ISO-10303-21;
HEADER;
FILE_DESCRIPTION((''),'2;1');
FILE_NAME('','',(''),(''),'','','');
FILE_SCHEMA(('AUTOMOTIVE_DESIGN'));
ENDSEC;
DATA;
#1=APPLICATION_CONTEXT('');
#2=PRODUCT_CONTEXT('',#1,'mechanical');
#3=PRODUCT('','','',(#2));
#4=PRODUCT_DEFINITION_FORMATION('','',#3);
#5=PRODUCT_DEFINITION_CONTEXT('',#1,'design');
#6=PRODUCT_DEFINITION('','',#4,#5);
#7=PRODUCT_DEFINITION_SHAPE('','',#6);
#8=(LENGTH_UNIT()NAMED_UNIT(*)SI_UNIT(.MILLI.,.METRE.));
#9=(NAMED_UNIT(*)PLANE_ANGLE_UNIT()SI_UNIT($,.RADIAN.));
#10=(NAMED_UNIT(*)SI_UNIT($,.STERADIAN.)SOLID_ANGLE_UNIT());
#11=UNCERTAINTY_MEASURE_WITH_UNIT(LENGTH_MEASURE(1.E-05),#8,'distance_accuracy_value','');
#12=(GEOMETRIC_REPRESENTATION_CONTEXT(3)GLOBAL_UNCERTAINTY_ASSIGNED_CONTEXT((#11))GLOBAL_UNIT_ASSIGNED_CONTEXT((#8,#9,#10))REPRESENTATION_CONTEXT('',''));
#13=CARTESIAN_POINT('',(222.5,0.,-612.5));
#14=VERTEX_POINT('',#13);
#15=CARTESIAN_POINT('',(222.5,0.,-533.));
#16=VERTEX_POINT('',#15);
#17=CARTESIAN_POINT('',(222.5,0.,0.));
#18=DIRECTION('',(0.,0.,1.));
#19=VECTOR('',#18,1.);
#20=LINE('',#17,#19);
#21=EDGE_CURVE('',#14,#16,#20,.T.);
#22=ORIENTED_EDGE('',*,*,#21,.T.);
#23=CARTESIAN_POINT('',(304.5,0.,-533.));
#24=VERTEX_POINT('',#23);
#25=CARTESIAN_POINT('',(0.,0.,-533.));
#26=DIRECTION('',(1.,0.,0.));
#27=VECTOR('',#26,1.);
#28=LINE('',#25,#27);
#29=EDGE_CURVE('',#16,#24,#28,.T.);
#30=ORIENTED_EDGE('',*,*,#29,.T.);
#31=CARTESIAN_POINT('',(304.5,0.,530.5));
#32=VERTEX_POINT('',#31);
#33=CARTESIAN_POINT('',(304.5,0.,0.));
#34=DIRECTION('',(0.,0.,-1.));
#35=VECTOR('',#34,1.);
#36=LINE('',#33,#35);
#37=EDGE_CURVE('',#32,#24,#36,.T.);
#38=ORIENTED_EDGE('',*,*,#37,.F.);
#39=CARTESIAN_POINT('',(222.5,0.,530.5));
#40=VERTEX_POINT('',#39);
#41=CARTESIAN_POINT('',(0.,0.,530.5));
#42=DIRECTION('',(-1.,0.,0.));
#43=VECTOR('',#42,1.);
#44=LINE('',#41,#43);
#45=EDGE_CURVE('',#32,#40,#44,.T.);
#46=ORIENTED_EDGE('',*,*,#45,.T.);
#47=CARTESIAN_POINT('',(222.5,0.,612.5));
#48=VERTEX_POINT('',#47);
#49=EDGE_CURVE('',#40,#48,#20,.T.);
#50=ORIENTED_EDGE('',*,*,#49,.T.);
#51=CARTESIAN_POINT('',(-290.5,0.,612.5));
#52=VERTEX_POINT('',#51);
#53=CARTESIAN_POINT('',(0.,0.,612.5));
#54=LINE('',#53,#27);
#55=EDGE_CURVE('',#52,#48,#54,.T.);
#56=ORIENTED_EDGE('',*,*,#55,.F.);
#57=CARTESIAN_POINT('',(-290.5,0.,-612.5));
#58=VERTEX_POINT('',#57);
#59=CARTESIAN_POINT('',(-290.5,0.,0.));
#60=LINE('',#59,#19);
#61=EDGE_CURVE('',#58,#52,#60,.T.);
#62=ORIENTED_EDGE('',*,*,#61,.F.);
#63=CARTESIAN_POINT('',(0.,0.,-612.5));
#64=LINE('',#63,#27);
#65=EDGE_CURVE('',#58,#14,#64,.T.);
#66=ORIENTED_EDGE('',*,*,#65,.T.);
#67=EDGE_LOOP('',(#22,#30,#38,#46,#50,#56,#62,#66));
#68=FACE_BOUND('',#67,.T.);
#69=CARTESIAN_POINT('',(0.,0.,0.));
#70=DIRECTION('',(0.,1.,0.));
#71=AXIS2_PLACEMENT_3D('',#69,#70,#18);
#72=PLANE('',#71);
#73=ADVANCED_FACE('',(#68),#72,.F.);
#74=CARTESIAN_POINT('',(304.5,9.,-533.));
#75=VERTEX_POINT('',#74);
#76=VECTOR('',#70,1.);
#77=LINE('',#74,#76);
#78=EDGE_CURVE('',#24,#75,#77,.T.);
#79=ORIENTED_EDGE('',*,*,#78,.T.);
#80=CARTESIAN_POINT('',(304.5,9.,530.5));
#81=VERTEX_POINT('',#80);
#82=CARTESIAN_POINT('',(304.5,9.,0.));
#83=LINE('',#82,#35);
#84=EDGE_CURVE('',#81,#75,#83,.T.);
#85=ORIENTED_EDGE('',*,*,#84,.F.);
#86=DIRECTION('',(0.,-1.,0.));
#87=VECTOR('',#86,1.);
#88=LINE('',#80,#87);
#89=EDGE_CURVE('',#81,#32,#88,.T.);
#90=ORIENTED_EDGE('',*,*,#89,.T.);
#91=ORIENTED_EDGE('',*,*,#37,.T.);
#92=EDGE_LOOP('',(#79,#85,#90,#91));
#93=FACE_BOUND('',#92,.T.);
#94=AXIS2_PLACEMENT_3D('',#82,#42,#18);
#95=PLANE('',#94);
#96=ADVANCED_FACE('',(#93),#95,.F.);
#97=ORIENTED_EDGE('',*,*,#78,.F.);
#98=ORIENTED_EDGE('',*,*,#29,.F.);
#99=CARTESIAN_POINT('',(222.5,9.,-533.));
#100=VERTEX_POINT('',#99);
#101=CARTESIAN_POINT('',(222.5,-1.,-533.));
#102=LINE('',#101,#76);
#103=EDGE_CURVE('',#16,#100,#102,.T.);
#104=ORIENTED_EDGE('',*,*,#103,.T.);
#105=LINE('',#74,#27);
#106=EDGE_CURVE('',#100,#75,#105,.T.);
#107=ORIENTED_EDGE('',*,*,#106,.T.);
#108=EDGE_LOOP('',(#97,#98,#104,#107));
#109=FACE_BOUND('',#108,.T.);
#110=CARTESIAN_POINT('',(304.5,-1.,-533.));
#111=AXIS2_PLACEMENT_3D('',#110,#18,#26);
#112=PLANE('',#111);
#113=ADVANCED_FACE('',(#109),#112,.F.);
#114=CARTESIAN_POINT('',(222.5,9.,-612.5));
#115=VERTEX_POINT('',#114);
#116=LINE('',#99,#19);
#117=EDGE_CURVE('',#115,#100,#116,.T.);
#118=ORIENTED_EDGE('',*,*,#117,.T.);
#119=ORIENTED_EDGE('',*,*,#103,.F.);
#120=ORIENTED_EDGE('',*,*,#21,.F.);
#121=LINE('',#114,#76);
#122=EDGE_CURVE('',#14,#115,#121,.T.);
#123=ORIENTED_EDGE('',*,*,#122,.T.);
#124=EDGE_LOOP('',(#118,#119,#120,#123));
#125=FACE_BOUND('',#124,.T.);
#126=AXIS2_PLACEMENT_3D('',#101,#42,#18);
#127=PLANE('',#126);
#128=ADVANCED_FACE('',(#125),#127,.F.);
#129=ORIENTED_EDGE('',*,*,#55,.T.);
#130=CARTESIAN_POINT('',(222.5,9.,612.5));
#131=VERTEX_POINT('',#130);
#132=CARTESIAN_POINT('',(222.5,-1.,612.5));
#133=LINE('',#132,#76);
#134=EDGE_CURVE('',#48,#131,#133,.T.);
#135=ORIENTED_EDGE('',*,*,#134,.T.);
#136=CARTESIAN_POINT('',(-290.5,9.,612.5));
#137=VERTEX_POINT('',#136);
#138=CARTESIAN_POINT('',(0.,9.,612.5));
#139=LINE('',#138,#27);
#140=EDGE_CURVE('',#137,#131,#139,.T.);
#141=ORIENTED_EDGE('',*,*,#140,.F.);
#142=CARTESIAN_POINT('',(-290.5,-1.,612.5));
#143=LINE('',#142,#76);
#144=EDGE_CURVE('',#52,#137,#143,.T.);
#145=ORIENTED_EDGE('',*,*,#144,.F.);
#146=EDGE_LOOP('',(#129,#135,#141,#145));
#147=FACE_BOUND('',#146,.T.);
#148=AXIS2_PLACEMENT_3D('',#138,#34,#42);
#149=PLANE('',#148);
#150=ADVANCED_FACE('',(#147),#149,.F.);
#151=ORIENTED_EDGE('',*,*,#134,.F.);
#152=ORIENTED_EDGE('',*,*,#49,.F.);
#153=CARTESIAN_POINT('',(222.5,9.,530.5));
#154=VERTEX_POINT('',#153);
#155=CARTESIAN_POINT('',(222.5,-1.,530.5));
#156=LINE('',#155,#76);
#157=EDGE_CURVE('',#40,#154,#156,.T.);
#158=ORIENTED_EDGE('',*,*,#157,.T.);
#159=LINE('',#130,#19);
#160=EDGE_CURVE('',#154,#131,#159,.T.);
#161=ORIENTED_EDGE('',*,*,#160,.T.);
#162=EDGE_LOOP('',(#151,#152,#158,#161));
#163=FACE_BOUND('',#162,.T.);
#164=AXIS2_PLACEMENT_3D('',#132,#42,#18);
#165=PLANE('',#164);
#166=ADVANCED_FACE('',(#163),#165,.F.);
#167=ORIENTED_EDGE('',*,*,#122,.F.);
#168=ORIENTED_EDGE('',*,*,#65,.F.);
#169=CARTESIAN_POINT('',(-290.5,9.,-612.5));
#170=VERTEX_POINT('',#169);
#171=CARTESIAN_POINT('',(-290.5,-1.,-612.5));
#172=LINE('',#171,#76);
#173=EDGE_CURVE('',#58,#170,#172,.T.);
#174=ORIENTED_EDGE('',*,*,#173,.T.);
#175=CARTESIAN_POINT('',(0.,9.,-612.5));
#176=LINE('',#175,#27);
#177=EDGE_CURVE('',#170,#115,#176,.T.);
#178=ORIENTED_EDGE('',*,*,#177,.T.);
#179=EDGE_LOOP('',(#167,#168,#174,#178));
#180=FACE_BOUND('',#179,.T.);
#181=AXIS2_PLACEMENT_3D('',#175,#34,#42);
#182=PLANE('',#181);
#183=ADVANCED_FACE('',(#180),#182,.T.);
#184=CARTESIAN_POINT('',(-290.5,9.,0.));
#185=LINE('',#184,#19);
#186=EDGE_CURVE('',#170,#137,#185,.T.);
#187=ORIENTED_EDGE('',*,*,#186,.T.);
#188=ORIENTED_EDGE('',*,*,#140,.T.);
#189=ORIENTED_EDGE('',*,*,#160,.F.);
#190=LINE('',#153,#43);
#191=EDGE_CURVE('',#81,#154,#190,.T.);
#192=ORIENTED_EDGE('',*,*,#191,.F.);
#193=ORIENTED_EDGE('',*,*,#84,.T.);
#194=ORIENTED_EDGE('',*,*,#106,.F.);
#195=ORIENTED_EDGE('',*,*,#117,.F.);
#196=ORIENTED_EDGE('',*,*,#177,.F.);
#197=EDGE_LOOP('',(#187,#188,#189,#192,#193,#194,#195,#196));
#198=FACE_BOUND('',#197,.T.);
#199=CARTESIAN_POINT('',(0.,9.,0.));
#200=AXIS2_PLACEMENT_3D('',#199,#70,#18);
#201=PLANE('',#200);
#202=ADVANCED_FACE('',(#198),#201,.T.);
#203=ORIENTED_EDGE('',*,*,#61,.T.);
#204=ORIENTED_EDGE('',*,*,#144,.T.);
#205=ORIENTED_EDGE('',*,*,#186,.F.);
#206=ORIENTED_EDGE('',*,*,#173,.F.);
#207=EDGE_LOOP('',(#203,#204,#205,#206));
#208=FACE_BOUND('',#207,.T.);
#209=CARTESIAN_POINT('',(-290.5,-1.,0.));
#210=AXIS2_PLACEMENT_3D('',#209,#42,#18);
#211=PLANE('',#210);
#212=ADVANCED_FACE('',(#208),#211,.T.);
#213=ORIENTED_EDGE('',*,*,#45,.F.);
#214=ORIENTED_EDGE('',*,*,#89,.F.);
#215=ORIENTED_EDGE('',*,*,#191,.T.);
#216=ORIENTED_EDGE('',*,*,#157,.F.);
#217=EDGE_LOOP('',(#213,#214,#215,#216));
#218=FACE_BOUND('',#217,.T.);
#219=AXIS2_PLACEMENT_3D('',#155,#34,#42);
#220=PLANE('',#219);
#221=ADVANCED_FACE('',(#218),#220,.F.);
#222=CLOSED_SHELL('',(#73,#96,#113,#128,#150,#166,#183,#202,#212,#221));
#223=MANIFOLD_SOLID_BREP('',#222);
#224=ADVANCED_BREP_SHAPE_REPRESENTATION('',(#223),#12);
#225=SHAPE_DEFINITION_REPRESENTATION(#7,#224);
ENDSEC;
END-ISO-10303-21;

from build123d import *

# Parameters (mm, degrees)
BOSS_EXTRUDE1_DEPTH = 9
SKETCH2_W           = 14
SKETCH2_H           = 1225
CUT_EXTRUDE1_DEPTH  = 10
SKETCH3_W           = 82
SKETCH3_H           = 82
CUT_EXTRUDE2_DEPTH  = 10


with BuildPart() as part:
    # Sketch1 → Boss-Extrude1 (new body)
    with BuildSketch(Plane(origin=(0, 0, 0), x_dir=(1, 0, 0), z_dir=(0, 1, 0))):
        Polygon((-304.5, -532.5), (-304.5, -612.5), (224.5, -612.5), (304.5, -612.5), (304.5, -532.5), (304.5, 497.5), (304.5, 612.5), (224.5, 612.5), (-304.5, 612.5), (-304.5, 497.5), align=None)
    extrude(amount=BOSS_EXTRUDE1_DEPTH)

    # Sketch2 → Cut-Extrude1 (cut)
    with BuildSketch(Plane(origin=(0, 9, 0), x_dir=(1, 0, 0), z_dir=(0, 1, 0))):
        with Locations((-297.5, 0)):
            Rectangle(SKETCH2_W, SKETCH2_H)
    extrude(amount=-CUT_EXTRUDE1_DEPTH, mode=Mode.SUBTRACT)

    # Sketch3 → Cut-Extrude2 (cut)
    with BuildSketch(Plane(origin=(0, 9, 0), x_dir=(1, 0, 0), z_dir=(0, 1, 0))):
        with Locations((263.5, -571.5)):
            Rectangle(SKETCH3_W, SKETCH3_H)
        Polygon((304.5, 533), (222.5, 533), (222.5, 615), (304.5, 612.5), align=None)
    extrude(amount=-CUT_EXTRUDE2_DEPTH, mode=Mode.SUBTRACT)


solid = part.part
